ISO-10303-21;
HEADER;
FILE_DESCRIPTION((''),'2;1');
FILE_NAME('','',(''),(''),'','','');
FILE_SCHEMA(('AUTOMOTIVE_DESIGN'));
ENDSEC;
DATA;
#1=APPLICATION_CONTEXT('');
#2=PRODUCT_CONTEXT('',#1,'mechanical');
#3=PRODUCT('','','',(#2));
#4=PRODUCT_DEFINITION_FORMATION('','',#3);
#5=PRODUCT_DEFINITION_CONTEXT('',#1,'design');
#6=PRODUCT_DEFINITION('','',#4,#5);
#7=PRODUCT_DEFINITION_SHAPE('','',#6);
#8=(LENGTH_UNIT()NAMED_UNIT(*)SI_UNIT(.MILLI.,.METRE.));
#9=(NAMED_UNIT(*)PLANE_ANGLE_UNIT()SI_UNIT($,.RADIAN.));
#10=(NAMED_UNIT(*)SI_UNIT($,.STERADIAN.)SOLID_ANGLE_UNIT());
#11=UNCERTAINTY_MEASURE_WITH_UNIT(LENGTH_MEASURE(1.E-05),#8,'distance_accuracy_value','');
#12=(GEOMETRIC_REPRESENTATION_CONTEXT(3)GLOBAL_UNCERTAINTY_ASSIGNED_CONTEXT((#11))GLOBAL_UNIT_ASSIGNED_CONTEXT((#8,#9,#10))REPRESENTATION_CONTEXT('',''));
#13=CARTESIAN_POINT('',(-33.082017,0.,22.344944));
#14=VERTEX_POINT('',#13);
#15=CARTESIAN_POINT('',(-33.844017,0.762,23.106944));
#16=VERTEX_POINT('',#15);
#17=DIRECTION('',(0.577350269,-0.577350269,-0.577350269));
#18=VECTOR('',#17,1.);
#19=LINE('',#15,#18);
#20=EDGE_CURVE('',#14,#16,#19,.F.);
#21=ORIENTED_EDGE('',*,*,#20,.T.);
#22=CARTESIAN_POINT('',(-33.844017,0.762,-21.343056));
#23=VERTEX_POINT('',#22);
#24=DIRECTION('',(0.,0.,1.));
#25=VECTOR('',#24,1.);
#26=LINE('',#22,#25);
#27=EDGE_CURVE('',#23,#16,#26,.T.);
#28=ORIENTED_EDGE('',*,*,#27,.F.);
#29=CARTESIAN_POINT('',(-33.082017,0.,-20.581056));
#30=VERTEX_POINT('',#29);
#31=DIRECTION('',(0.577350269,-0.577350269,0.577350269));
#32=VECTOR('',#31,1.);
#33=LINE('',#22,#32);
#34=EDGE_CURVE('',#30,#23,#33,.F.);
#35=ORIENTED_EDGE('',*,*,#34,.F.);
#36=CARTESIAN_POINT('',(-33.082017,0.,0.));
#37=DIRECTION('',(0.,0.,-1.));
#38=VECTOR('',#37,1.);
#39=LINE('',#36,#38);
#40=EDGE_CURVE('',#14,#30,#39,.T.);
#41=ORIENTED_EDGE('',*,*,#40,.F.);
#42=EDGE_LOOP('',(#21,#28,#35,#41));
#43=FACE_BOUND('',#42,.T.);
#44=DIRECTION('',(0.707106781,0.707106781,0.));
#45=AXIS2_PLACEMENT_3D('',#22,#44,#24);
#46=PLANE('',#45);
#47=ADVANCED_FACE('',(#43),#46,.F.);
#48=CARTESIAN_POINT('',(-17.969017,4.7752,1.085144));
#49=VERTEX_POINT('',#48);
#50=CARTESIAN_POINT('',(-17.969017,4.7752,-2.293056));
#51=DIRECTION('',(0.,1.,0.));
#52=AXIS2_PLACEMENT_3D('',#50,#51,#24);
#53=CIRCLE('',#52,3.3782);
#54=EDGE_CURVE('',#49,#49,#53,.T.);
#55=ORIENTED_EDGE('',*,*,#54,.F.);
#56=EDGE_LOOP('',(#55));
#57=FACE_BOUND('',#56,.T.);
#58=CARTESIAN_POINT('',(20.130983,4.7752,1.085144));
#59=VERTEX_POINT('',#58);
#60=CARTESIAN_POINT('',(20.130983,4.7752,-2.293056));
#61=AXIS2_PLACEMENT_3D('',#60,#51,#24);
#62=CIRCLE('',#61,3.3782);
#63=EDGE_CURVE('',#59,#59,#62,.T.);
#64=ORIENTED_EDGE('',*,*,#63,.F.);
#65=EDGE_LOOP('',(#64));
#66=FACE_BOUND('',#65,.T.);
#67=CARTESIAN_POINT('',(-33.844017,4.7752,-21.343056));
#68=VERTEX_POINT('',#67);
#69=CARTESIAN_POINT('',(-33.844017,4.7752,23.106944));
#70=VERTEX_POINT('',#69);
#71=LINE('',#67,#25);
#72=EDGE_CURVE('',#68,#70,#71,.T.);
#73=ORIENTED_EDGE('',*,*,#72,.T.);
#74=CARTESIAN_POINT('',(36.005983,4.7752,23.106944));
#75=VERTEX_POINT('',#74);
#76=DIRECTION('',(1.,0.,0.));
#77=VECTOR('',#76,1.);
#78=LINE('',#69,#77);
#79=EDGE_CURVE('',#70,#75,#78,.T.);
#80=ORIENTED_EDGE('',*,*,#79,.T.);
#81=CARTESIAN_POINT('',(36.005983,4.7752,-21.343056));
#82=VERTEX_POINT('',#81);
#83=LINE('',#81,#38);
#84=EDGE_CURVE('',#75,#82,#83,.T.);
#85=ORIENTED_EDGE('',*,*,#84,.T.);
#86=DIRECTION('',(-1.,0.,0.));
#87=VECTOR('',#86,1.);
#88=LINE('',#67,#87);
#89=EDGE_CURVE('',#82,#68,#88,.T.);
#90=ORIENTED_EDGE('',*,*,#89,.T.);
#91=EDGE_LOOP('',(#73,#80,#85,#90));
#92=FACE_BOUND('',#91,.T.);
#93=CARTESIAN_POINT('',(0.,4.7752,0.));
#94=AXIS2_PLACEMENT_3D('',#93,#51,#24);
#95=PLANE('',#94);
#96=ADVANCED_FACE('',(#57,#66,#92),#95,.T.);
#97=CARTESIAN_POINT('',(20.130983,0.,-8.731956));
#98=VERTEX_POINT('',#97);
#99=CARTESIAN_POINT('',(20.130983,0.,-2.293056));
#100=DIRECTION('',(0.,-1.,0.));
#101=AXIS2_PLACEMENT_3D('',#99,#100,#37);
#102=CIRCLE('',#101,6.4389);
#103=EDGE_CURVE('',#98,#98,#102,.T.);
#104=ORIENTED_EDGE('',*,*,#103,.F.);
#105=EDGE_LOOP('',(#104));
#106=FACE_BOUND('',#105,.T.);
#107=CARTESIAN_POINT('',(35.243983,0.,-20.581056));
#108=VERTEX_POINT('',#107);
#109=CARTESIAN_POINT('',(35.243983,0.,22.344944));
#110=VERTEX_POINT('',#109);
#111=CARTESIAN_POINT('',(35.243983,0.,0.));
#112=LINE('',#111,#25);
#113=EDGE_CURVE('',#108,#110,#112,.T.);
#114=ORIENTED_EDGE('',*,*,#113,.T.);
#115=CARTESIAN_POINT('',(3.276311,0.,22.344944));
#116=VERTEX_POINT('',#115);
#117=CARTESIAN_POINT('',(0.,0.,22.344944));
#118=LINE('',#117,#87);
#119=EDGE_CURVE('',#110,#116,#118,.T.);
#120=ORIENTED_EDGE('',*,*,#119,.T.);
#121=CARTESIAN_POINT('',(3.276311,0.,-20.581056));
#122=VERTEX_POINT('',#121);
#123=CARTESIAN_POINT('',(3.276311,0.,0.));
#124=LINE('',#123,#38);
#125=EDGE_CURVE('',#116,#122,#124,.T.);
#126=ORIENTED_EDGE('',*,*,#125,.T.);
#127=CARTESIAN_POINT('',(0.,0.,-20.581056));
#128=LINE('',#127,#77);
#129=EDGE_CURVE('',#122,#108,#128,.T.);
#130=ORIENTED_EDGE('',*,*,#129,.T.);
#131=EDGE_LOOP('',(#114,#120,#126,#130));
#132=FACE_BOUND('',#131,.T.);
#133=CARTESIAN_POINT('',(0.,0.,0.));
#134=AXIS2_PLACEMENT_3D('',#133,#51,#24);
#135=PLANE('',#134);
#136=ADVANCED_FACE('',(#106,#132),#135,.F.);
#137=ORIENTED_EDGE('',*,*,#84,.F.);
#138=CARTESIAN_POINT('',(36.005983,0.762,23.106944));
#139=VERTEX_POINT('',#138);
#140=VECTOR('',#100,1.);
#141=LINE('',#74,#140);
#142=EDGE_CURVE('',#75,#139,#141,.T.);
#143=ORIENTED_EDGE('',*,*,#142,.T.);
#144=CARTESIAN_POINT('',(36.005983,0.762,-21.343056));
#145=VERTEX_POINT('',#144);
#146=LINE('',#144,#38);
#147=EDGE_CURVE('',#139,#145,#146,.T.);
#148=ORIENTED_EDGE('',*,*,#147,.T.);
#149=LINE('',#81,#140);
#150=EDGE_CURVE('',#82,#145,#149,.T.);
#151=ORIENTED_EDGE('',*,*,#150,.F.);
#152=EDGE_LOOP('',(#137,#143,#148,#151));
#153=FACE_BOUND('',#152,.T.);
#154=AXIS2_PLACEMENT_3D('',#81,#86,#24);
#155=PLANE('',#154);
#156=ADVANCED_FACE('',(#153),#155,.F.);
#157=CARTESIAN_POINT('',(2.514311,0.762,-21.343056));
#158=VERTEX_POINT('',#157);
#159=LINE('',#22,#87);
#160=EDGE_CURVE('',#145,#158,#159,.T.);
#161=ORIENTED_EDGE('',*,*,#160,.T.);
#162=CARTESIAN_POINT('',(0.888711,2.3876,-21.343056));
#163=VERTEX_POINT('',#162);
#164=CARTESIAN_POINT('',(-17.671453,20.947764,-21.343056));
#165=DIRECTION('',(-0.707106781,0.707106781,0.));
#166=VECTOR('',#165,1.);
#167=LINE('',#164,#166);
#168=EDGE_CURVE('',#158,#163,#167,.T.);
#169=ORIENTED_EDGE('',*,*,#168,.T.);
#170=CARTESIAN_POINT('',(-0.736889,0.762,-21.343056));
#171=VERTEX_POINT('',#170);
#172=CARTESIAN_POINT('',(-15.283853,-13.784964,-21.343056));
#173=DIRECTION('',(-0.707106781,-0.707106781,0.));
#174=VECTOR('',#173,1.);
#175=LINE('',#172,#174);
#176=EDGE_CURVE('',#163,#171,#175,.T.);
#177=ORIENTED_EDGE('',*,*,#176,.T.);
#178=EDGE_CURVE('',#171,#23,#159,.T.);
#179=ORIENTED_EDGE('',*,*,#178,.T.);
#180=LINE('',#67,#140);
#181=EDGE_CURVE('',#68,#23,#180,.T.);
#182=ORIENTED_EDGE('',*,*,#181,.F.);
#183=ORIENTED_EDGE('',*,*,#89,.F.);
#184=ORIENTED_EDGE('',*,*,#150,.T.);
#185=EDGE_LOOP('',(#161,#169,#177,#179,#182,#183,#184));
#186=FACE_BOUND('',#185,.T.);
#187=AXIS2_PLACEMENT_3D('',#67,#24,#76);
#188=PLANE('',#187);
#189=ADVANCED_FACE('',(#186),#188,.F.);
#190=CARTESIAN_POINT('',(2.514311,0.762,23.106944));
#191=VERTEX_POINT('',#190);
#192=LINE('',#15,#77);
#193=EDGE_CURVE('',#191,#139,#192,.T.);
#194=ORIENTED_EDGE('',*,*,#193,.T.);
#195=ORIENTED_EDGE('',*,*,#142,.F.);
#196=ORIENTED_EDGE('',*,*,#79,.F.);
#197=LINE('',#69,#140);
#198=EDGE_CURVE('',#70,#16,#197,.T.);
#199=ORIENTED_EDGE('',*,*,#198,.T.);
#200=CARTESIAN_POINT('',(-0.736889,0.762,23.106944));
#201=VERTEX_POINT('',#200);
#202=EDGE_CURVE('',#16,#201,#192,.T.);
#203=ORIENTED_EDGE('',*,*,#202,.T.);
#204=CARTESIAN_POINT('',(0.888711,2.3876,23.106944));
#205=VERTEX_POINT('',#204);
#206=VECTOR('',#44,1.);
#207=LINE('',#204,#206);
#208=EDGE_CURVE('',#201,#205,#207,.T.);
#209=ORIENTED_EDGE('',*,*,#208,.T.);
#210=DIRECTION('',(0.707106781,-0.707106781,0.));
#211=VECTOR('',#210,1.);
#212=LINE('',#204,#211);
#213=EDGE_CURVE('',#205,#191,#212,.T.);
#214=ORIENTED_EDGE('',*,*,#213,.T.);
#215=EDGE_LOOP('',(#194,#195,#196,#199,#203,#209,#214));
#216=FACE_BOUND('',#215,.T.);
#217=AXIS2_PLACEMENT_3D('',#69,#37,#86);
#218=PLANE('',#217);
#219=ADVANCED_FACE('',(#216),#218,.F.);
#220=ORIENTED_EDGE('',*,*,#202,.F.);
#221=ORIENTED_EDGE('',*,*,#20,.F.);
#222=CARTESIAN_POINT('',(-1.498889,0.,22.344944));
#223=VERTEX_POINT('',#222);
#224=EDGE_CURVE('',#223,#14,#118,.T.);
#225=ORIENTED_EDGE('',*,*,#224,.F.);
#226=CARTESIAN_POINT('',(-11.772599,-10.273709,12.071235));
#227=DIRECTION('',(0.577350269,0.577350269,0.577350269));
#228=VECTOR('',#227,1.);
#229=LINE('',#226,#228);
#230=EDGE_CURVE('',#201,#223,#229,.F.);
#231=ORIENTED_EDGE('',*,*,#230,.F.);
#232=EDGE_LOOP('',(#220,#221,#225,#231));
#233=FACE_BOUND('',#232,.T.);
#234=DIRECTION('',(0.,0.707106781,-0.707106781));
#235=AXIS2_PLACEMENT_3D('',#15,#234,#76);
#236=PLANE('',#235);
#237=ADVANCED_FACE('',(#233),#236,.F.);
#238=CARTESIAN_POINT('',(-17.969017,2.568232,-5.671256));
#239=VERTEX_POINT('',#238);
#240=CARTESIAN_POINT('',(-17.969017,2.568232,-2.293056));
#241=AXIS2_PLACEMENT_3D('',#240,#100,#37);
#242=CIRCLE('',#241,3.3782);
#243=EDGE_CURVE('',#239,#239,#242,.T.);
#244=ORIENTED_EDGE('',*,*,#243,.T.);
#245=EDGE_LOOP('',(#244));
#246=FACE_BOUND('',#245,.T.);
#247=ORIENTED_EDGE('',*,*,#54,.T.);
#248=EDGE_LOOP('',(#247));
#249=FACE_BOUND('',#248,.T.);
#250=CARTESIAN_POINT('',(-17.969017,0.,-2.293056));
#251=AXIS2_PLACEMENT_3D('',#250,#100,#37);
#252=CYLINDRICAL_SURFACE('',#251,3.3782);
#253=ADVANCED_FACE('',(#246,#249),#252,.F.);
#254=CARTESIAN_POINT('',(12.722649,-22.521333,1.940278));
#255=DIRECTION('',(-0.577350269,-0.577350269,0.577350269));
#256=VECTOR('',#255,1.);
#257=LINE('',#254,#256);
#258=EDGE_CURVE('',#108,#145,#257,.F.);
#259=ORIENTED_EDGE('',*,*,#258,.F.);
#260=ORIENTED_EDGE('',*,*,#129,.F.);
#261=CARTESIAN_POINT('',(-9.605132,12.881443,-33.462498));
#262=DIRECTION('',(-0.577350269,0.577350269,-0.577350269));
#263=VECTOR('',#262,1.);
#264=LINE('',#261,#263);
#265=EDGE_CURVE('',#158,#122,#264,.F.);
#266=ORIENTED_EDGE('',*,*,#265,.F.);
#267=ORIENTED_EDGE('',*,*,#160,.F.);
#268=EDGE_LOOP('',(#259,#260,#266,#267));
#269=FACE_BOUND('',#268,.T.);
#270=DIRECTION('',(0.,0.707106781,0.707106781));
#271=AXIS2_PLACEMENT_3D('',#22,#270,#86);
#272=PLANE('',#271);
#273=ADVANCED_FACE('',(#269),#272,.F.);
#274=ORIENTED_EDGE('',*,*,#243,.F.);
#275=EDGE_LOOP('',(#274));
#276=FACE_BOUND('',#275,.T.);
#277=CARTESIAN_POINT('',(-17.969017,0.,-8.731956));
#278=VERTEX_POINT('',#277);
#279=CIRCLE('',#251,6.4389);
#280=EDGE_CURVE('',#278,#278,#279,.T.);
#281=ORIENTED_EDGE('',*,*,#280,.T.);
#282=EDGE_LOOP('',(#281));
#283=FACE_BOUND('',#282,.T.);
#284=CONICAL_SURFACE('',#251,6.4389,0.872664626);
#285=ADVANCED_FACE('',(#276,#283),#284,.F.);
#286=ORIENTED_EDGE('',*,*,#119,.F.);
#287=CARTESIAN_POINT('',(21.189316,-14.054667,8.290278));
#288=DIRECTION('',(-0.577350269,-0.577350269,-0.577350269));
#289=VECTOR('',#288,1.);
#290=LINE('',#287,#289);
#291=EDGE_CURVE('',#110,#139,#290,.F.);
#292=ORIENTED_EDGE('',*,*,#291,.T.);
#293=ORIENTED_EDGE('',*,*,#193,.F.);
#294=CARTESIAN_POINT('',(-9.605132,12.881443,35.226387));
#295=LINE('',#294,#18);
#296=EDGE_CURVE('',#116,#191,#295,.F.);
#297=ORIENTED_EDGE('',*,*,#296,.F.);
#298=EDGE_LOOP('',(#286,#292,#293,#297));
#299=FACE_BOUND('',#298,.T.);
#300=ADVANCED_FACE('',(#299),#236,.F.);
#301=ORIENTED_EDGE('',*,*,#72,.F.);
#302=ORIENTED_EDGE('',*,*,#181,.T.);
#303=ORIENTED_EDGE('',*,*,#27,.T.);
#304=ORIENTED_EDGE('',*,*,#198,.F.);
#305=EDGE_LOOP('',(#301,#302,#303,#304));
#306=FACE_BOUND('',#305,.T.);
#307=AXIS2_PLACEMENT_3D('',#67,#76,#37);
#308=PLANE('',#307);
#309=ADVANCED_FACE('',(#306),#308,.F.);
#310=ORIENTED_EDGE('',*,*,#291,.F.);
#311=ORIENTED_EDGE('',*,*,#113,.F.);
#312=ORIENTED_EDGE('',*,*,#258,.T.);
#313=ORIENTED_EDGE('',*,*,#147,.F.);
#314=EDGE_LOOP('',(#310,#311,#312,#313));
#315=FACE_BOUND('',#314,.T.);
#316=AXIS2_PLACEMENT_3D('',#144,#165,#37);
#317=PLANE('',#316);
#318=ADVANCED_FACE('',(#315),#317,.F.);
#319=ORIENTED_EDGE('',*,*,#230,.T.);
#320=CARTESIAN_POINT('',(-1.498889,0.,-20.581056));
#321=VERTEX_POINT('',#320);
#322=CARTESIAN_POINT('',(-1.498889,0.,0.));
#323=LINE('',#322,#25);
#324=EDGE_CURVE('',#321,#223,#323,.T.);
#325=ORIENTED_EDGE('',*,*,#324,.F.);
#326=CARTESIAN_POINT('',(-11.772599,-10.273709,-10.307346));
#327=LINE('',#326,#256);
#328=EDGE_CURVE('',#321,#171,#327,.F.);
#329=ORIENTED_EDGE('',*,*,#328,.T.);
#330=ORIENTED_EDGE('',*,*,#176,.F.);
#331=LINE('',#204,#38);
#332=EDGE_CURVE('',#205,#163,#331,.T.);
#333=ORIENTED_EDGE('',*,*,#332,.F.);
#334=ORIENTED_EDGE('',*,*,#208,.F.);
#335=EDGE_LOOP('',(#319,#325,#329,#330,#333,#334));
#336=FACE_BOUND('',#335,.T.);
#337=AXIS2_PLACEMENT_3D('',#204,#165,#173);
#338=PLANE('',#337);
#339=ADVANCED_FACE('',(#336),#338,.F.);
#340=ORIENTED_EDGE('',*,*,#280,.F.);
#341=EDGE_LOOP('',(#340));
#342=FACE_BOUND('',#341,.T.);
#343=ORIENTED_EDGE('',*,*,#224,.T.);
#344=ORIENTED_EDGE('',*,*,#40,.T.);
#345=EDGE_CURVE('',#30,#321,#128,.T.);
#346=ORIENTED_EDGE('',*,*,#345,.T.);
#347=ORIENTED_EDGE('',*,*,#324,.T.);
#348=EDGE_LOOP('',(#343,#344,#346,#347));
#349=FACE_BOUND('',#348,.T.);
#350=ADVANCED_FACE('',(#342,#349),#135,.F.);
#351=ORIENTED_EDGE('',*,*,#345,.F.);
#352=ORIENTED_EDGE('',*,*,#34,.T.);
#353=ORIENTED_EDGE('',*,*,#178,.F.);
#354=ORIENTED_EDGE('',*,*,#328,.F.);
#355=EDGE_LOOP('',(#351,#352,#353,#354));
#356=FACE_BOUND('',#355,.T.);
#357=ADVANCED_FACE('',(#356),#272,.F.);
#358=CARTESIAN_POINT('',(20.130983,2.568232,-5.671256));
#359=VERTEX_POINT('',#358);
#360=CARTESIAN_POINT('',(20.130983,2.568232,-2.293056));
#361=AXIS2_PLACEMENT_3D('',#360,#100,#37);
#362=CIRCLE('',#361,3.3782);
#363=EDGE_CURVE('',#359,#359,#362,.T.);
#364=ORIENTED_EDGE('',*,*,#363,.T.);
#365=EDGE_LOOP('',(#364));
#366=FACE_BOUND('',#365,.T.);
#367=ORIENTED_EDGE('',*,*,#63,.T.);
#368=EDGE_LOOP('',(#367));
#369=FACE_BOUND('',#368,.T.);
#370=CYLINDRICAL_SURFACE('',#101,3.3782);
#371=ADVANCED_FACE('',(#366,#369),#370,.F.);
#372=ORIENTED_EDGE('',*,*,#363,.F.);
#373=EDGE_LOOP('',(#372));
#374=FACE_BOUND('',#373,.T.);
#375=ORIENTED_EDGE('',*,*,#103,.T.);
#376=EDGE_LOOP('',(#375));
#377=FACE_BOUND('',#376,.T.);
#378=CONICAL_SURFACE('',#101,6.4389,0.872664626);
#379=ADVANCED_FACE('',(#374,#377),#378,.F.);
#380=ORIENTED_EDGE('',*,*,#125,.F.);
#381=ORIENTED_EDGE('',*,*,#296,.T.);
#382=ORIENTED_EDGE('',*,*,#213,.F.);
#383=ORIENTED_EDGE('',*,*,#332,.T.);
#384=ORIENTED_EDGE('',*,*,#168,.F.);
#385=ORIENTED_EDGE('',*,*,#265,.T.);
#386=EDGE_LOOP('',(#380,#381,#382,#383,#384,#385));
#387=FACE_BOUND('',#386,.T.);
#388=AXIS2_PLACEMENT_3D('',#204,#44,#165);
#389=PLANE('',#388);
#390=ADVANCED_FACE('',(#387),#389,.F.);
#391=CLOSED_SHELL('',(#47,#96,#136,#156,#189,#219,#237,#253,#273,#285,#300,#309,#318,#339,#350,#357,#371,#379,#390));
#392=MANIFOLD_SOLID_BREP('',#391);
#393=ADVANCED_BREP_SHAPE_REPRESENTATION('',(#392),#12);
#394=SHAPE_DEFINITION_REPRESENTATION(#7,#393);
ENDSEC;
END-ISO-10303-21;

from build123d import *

# Parameters (mm, degrees)
SKETCH2_W                                           = 69.85
SKETCH2_H                                           = 44.45
BOSS_EXTRUDE1_DEPTH                                 = 4.7752
CUT_EXTRUDE1_DEPTH                                  = 1
CUT_EXTRUDE1_DEPTH_BACK                             = 45.45
CHAMFER1_SIZE                                       = 0.762
CSK_FOR_1_4_FLAT_HEAD_MACHINE_SCREW_100_D           = 6.7564
CSK_FOR_1_4_FLAT_HEAD_MACHINE_SCREW_100_DEPTH       = 4.826
CSK_FOR_1_4_FLAT_HEAD_MACHINE_SCREW_100_CSINK_D     = 12.8778
CSK_FOR_1_4_FLAT_HEAD_MACHINE_SCREW_100_CSINK_ANGLE = 100
CSK_FOR_1_4_FLAT_HEAD_MACHINE_SCREW_100_TIP         = 2.029827343


with BuildPart() as part:
    # Sketch2 → Boss-Extrude1 (new body)
    with BuildSketch(Plane(origin=(0, 0, 0), x_dir=(1, 0, 0), z_dir=(0, 1, 0))):
        with Locations((1.080982686, -0.881944444)):
            Rectangle(SKETCH2_W, SKETCH2_H)
    extrude(amount=BOSS_EXTRUDE1_DEPTH)

    # Sketch3 → Cut-Extrude1 (cut, two sides)
    with BuildSketch(Plane(origin=(0, 0, -21.343055556), x_dir=(-1, 0, 0), z_dir=(0, 0, -1))) as cut_extrude1_sk:
        Polygon((-0.888710757, 2.3876), (-3.463824269, -0.187513512), (1.686402756, -0.187513512), align=None)
    extrude(amount=CUT_EXTRUDE1_DEPTH, mode=Mode.SUBTRACT)
    extrude(cut_extrude1_sk.sketch, amount=-CUT_EXTRUDE1_DEPTH_BACK, mode=Mode.SUBTRACT)

    # Chamfer1
    chamfer1_edges = [part.edges().sort_by_distance(p)[0] for p in [
        (-17.671453278, 0, -21.343055556),
        (19.641146722, 0, 23.106944444),
        (19.641146722, 0, -21.343055556),
        (36.005982686, 0, 0.881944444),
        (-17.671453278, 0, 23.106944444),
        (-33.844017314, 0, 0.881944444),
    ]]
    chamfer(chamfer1_edges, length=CHAMFER1_SIZE)

    # CSK for 1/4 Flat Head Machine Screw (100)1
    with Locations(Plane(origin=(0, 0, 0), x_dir=(-1, 0, 0), z_dir=(0, -1, 0))):
        with Locations((-20.130982686, 2.293055556), (17.969017314, 2.293055556)):
            CounterSinkHole(CSK_FOR_1_4_FLAT_HEAD_MACHINE_SCREW_100_D / 2, CSK_FOR_1_4_FLAT_HEAD_MACHINE_SCREW_100_CSINK_D / 2, depth=CSK_FOR_1_4_FLAT_HEAD_MACHINE_SCREW_100_DEPTH, counter_sink_angle=CSK_FOR_1_4_FLAT_HEAD_MACHINE_SCREW_100_CSINK_ANGLE)
            with Locations((0, 0, -(CSK_FOR_1_4_FLAT_HEAD_MACHINE_SCREW_100_DEPTH + CSK_FOR_1_4_FLAT_HEAD_MACHINE_SCREW_100_TIP / 2))):  # 118° drill point
                Cone(0, CSK_FOR_1_4_FLAT_HEAD_MACHINE_SCREW_100_D / 2, CSK_FOR_1_4_FLAT_HEAD_MACHINE_SCREW_100_TIP, mode=Mode.SUBTRACT)


solid = part.part
